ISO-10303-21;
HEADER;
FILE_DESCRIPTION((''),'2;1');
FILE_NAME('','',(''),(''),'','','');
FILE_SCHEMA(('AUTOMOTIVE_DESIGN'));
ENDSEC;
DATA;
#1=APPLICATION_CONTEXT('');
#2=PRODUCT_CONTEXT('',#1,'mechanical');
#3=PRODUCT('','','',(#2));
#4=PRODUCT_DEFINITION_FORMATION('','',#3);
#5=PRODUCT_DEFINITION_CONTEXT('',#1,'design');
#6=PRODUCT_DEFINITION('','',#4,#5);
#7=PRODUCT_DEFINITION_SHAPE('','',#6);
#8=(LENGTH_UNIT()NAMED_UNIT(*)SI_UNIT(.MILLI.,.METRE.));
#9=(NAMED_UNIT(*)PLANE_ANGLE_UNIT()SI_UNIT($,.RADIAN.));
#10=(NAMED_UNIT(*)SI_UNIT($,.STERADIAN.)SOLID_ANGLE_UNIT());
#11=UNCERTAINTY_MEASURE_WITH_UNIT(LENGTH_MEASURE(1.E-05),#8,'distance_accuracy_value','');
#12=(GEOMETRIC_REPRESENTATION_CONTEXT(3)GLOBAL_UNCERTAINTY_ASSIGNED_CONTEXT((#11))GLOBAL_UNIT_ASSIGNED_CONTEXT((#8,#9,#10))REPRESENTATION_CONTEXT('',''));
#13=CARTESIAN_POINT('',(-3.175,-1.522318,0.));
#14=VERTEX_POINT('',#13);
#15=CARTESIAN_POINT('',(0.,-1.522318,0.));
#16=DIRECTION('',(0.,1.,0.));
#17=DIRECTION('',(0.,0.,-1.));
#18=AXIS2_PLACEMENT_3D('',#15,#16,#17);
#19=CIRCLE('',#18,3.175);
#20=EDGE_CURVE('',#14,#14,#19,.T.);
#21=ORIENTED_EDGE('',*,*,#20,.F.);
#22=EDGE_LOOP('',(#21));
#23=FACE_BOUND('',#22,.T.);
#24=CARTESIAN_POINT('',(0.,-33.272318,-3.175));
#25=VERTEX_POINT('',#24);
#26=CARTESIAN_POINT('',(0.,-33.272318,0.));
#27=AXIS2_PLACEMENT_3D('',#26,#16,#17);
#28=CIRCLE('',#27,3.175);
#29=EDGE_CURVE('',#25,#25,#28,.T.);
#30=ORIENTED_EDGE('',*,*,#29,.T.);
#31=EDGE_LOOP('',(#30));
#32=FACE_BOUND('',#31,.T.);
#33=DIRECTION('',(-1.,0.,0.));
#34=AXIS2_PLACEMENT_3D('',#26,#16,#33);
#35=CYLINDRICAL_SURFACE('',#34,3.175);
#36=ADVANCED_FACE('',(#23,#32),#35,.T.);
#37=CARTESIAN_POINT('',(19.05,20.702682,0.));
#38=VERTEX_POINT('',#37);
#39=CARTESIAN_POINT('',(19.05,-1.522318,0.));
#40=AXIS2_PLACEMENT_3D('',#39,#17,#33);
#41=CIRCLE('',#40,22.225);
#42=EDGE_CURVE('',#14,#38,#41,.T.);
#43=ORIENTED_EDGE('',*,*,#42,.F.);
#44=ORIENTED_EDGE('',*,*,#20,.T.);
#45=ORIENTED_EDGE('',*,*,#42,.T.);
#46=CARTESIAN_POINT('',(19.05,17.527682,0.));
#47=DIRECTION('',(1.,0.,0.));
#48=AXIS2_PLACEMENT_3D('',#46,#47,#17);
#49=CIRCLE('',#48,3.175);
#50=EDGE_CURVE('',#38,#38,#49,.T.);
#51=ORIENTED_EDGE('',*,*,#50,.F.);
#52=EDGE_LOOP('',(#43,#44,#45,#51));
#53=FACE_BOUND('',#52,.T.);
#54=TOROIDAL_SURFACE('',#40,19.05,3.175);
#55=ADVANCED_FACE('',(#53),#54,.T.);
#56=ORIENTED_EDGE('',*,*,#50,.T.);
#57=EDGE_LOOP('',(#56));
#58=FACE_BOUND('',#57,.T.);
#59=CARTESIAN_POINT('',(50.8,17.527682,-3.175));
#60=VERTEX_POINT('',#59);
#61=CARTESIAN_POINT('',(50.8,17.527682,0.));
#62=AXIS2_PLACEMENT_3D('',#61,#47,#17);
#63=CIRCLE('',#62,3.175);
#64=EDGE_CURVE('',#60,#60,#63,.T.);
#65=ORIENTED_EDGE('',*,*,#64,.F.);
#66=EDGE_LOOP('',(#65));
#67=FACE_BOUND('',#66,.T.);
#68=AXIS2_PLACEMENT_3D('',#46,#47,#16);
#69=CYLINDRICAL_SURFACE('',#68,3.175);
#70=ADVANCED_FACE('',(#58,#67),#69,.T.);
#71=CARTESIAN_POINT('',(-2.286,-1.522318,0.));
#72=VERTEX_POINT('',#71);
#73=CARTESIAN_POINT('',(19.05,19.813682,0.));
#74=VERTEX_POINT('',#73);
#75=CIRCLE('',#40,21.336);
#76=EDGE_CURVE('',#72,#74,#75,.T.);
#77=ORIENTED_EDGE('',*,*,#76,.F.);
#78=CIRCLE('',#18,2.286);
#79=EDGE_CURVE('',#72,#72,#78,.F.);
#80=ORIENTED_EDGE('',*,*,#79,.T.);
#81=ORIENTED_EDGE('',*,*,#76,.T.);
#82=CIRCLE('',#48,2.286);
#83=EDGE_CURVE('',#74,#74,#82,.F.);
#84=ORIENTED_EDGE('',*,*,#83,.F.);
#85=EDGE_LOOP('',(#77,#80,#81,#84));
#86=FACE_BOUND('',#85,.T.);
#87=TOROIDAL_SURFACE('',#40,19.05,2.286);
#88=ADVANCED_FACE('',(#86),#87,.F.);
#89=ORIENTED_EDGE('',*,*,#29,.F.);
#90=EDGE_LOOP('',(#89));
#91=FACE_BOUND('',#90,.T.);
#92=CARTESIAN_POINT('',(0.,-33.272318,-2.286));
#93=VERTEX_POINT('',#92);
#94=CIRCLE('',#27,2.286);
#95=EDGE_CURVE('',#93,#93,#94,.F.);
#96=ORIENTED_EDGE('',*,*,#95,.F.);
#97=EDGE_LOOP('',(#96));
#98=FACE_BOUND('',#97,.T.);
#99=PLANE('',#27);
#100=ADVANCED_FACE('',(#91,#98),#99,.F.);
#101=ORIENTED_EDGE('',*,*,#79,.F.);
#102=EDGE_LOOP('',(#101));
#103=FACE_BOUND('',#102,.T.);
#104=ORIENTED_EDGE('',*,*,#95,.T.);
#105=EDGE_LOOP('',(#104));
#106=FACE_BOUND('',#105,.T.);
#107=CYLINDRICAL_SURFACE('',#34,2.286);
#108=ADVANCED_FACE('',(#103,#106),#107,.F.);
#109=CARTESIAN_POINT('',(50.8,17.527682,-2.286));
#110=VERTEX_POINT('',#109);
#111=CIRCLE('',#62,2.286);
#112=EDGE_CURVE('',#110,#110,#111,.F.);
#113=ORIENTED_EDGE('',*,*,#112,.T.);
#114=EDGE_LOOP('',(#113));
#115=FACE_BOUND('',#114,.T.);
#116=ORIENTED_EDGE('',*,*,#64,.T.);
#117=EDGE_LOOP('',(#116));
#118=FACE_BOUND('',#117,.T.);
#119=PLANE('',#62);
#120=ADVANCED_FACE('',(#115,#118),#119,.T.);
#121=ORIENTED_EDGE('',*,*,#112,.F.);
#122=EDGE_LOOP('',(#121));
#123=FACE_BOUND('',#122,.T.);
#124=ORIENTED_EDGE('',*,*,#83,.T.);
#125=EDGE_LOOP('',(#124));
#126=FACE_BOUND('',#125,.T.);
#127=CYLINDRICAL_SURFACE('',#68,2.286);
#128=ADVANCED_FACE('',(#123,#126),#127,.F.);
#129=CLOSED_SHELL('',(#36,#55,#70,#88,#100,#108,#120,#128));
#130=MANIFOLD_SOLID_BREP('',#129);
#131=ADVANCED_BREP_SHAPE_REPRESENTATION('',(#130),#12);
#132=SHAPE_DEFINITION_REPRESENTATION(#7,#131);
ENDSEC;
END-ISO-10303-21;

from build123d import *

# Parameters (mm, degrees)
SKETCH2_R   = 3.175
SKETCH2_R_2 = 2.286


with BuildPart() as part:
    # Sweep1: sweep along a path in Sketch1
    with BuildLine(Plane.XY) as sweep1_path:
        Line((0, -33.272317881), (0, -1.522317881))
        ThreePointArc((0, -1.522317881), (5.579615818, 11.948066301), (19.05, 17.527682119))
        Line((19.05, 17.527682119), (50.8, 17.527682119))
    # Sketch2 → Sweep1 (sweep)
    with BuildSketch(Plane(origin=(50.8, 17.527682119, 0), x_dir=(0, 0, -1), z_dir=(1, 0, 0))):
        Circle(SKETCH2_R)
        Circle(SKETCH2_R_2, mode=Mode.SUBTRACT)
    sweep(path=sweep1_path.line)


solid = part.part
